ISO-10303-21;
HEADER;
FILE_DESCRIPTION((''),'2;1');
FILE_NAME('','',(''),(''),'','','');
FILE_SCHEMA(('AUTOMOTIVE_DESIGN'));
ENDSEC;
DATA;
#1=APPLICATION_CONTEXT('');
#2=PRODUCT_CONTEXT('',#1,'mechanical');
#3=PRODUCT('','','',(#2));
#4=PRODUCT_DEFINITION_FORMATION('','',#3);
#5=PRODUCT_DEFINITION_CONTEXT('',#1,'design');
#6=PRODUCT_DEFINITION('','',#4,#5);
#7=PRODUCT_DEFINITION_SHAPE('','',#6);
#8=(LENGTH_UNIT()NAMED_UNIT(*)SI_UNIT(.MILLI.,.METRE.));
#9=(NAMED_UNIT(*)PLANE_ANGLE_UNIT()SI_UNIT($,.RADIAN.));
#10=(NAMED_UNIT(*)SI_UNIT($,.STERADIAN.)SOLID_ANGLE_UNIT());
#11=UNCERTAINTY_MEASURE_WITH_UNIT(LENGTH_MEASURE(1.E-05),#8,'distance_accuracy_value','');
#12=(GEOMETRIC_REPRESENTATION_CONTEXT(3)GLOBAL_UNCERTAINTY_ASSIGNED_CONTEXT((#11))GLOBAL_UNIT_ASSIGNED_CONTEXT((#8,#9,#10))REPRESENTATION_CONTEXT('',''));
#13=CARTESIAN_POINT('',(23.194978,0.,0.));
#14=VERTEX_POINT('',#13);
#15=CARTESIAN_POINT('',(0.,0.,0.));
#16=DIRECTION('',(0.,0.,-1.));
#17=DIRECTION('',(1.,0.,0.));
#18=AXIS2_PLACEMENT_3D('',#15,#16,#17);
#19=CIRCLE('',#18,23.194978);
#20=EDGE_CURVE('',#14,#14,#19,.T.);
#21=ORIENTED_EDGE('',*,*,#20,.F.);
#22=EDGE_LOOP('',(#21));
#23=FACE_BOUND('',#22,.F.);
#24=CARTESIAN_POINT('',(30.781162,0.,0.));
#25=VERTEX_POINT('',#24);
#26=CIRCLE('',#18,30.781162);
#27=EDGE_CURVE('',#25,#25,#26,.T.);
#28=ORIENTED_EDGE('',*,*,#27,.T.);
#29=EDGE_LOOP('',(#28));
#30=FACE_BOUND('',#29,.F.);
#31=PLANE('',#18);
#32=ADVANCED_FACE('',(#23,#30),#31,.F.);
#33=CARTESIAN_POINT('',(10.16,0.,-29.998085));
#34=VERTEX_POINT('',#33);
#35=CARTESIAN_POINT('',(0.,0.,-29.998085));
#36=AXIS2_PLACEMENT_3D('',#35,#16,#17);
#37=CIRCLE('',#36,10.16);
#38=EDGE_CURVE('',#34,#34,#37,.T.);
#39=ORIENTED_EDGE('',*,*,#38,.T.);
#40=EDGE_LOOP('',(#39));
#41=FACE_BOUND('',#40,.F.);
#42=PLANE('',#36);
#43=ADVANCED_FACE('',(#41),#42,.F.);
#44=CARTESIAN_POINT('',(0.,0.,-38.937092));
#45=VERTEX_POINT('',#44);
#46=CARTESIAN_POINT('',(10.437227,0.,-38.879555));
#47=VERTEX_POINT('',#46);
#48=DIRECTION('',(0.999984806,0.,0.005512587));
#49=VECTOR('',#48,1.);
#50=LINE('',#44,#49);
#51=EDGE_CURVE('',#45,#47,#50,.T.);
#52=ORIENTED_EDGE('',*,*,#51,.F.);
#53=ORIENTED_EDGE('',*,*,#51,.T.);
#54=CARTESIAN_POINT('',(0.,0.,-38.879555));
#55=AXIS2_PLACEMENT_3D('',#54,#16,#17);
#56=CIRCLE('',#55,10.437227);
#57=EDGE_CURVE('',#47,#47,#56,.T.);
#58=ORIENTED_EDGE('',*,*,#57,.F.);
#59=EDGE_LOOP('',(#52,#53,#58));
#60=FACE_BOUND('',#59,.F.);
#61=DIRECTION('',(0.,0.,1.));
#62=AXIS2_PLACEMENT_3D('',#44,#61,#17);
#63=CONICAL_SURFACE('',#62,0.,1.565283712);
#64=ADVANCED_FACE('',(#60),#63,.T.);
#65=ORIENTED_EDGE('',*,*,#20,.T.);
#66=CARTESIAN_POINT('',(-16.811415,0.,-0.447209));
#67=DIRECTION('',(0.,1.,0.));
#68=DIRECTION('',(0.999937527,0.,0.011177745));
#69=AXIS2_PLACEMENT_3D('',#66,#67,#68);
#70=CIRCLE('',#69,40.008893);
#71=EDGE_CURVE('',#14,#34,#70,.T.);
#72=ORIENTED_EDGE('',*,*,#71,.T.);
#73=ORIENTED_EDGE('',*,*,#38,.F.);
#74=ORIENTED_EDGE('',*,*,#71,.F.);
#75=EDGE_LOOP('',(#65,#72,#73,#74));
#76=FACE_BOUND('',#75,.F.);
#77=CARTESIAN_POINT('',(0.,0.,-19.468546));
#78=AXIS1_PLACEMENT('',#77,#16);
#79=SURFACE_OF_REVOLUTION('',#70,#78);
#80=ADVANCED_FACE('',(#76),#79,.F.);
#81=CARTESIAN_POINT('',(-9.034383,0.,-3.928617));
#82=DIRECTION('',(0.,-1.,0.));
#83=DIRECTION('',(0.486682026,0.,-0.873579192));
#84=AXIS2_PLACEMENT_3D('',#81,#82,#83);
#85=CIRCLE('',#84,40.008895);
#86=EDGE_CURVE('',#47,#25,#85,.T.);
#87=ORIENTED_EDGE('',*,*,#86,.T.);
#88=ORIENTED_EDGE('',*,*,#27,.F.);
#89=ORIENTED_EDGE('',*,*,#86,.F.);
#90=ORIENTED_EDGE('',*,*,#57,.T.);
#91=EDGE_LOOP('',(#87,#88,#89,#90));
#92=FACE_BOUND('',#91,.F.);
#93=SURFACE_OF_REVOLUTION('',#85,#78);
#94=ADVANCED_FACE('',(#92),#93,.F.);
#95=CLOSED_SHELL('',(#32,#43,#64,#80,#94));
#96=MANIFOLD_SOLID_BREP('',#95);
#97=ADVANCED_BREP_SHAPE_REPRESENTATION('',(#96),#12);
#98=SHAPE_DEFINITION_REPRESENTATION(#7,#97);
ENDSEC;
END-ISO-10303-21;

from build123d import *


with BuildPart() as f1:
    # F0 (on Front) → F1 (revolve)
    with BuildSketch(Plane.XZ):
        with BuildLine():
            ThreePointArc((23.194978, 0), (19.882971, -16.391911), (10.16, -29.998085))
            Line((10.16, -29.998085), (0, -29.998085))
            Line((0, -29.998085), (0, -38.937092))
            Line((0, -38.937092), (10.437227, -38.879555))
            ThreePointArc((10.437227, -38.879555), (26.414829, -22.477607), (30.781162, 0))
            Line((30.781162, 0), (23.194978, 0))
        make_face()
    revolve(axis=Axis((0, 0, -19.468546), (0, 0, -1)))


solid = f1.part
